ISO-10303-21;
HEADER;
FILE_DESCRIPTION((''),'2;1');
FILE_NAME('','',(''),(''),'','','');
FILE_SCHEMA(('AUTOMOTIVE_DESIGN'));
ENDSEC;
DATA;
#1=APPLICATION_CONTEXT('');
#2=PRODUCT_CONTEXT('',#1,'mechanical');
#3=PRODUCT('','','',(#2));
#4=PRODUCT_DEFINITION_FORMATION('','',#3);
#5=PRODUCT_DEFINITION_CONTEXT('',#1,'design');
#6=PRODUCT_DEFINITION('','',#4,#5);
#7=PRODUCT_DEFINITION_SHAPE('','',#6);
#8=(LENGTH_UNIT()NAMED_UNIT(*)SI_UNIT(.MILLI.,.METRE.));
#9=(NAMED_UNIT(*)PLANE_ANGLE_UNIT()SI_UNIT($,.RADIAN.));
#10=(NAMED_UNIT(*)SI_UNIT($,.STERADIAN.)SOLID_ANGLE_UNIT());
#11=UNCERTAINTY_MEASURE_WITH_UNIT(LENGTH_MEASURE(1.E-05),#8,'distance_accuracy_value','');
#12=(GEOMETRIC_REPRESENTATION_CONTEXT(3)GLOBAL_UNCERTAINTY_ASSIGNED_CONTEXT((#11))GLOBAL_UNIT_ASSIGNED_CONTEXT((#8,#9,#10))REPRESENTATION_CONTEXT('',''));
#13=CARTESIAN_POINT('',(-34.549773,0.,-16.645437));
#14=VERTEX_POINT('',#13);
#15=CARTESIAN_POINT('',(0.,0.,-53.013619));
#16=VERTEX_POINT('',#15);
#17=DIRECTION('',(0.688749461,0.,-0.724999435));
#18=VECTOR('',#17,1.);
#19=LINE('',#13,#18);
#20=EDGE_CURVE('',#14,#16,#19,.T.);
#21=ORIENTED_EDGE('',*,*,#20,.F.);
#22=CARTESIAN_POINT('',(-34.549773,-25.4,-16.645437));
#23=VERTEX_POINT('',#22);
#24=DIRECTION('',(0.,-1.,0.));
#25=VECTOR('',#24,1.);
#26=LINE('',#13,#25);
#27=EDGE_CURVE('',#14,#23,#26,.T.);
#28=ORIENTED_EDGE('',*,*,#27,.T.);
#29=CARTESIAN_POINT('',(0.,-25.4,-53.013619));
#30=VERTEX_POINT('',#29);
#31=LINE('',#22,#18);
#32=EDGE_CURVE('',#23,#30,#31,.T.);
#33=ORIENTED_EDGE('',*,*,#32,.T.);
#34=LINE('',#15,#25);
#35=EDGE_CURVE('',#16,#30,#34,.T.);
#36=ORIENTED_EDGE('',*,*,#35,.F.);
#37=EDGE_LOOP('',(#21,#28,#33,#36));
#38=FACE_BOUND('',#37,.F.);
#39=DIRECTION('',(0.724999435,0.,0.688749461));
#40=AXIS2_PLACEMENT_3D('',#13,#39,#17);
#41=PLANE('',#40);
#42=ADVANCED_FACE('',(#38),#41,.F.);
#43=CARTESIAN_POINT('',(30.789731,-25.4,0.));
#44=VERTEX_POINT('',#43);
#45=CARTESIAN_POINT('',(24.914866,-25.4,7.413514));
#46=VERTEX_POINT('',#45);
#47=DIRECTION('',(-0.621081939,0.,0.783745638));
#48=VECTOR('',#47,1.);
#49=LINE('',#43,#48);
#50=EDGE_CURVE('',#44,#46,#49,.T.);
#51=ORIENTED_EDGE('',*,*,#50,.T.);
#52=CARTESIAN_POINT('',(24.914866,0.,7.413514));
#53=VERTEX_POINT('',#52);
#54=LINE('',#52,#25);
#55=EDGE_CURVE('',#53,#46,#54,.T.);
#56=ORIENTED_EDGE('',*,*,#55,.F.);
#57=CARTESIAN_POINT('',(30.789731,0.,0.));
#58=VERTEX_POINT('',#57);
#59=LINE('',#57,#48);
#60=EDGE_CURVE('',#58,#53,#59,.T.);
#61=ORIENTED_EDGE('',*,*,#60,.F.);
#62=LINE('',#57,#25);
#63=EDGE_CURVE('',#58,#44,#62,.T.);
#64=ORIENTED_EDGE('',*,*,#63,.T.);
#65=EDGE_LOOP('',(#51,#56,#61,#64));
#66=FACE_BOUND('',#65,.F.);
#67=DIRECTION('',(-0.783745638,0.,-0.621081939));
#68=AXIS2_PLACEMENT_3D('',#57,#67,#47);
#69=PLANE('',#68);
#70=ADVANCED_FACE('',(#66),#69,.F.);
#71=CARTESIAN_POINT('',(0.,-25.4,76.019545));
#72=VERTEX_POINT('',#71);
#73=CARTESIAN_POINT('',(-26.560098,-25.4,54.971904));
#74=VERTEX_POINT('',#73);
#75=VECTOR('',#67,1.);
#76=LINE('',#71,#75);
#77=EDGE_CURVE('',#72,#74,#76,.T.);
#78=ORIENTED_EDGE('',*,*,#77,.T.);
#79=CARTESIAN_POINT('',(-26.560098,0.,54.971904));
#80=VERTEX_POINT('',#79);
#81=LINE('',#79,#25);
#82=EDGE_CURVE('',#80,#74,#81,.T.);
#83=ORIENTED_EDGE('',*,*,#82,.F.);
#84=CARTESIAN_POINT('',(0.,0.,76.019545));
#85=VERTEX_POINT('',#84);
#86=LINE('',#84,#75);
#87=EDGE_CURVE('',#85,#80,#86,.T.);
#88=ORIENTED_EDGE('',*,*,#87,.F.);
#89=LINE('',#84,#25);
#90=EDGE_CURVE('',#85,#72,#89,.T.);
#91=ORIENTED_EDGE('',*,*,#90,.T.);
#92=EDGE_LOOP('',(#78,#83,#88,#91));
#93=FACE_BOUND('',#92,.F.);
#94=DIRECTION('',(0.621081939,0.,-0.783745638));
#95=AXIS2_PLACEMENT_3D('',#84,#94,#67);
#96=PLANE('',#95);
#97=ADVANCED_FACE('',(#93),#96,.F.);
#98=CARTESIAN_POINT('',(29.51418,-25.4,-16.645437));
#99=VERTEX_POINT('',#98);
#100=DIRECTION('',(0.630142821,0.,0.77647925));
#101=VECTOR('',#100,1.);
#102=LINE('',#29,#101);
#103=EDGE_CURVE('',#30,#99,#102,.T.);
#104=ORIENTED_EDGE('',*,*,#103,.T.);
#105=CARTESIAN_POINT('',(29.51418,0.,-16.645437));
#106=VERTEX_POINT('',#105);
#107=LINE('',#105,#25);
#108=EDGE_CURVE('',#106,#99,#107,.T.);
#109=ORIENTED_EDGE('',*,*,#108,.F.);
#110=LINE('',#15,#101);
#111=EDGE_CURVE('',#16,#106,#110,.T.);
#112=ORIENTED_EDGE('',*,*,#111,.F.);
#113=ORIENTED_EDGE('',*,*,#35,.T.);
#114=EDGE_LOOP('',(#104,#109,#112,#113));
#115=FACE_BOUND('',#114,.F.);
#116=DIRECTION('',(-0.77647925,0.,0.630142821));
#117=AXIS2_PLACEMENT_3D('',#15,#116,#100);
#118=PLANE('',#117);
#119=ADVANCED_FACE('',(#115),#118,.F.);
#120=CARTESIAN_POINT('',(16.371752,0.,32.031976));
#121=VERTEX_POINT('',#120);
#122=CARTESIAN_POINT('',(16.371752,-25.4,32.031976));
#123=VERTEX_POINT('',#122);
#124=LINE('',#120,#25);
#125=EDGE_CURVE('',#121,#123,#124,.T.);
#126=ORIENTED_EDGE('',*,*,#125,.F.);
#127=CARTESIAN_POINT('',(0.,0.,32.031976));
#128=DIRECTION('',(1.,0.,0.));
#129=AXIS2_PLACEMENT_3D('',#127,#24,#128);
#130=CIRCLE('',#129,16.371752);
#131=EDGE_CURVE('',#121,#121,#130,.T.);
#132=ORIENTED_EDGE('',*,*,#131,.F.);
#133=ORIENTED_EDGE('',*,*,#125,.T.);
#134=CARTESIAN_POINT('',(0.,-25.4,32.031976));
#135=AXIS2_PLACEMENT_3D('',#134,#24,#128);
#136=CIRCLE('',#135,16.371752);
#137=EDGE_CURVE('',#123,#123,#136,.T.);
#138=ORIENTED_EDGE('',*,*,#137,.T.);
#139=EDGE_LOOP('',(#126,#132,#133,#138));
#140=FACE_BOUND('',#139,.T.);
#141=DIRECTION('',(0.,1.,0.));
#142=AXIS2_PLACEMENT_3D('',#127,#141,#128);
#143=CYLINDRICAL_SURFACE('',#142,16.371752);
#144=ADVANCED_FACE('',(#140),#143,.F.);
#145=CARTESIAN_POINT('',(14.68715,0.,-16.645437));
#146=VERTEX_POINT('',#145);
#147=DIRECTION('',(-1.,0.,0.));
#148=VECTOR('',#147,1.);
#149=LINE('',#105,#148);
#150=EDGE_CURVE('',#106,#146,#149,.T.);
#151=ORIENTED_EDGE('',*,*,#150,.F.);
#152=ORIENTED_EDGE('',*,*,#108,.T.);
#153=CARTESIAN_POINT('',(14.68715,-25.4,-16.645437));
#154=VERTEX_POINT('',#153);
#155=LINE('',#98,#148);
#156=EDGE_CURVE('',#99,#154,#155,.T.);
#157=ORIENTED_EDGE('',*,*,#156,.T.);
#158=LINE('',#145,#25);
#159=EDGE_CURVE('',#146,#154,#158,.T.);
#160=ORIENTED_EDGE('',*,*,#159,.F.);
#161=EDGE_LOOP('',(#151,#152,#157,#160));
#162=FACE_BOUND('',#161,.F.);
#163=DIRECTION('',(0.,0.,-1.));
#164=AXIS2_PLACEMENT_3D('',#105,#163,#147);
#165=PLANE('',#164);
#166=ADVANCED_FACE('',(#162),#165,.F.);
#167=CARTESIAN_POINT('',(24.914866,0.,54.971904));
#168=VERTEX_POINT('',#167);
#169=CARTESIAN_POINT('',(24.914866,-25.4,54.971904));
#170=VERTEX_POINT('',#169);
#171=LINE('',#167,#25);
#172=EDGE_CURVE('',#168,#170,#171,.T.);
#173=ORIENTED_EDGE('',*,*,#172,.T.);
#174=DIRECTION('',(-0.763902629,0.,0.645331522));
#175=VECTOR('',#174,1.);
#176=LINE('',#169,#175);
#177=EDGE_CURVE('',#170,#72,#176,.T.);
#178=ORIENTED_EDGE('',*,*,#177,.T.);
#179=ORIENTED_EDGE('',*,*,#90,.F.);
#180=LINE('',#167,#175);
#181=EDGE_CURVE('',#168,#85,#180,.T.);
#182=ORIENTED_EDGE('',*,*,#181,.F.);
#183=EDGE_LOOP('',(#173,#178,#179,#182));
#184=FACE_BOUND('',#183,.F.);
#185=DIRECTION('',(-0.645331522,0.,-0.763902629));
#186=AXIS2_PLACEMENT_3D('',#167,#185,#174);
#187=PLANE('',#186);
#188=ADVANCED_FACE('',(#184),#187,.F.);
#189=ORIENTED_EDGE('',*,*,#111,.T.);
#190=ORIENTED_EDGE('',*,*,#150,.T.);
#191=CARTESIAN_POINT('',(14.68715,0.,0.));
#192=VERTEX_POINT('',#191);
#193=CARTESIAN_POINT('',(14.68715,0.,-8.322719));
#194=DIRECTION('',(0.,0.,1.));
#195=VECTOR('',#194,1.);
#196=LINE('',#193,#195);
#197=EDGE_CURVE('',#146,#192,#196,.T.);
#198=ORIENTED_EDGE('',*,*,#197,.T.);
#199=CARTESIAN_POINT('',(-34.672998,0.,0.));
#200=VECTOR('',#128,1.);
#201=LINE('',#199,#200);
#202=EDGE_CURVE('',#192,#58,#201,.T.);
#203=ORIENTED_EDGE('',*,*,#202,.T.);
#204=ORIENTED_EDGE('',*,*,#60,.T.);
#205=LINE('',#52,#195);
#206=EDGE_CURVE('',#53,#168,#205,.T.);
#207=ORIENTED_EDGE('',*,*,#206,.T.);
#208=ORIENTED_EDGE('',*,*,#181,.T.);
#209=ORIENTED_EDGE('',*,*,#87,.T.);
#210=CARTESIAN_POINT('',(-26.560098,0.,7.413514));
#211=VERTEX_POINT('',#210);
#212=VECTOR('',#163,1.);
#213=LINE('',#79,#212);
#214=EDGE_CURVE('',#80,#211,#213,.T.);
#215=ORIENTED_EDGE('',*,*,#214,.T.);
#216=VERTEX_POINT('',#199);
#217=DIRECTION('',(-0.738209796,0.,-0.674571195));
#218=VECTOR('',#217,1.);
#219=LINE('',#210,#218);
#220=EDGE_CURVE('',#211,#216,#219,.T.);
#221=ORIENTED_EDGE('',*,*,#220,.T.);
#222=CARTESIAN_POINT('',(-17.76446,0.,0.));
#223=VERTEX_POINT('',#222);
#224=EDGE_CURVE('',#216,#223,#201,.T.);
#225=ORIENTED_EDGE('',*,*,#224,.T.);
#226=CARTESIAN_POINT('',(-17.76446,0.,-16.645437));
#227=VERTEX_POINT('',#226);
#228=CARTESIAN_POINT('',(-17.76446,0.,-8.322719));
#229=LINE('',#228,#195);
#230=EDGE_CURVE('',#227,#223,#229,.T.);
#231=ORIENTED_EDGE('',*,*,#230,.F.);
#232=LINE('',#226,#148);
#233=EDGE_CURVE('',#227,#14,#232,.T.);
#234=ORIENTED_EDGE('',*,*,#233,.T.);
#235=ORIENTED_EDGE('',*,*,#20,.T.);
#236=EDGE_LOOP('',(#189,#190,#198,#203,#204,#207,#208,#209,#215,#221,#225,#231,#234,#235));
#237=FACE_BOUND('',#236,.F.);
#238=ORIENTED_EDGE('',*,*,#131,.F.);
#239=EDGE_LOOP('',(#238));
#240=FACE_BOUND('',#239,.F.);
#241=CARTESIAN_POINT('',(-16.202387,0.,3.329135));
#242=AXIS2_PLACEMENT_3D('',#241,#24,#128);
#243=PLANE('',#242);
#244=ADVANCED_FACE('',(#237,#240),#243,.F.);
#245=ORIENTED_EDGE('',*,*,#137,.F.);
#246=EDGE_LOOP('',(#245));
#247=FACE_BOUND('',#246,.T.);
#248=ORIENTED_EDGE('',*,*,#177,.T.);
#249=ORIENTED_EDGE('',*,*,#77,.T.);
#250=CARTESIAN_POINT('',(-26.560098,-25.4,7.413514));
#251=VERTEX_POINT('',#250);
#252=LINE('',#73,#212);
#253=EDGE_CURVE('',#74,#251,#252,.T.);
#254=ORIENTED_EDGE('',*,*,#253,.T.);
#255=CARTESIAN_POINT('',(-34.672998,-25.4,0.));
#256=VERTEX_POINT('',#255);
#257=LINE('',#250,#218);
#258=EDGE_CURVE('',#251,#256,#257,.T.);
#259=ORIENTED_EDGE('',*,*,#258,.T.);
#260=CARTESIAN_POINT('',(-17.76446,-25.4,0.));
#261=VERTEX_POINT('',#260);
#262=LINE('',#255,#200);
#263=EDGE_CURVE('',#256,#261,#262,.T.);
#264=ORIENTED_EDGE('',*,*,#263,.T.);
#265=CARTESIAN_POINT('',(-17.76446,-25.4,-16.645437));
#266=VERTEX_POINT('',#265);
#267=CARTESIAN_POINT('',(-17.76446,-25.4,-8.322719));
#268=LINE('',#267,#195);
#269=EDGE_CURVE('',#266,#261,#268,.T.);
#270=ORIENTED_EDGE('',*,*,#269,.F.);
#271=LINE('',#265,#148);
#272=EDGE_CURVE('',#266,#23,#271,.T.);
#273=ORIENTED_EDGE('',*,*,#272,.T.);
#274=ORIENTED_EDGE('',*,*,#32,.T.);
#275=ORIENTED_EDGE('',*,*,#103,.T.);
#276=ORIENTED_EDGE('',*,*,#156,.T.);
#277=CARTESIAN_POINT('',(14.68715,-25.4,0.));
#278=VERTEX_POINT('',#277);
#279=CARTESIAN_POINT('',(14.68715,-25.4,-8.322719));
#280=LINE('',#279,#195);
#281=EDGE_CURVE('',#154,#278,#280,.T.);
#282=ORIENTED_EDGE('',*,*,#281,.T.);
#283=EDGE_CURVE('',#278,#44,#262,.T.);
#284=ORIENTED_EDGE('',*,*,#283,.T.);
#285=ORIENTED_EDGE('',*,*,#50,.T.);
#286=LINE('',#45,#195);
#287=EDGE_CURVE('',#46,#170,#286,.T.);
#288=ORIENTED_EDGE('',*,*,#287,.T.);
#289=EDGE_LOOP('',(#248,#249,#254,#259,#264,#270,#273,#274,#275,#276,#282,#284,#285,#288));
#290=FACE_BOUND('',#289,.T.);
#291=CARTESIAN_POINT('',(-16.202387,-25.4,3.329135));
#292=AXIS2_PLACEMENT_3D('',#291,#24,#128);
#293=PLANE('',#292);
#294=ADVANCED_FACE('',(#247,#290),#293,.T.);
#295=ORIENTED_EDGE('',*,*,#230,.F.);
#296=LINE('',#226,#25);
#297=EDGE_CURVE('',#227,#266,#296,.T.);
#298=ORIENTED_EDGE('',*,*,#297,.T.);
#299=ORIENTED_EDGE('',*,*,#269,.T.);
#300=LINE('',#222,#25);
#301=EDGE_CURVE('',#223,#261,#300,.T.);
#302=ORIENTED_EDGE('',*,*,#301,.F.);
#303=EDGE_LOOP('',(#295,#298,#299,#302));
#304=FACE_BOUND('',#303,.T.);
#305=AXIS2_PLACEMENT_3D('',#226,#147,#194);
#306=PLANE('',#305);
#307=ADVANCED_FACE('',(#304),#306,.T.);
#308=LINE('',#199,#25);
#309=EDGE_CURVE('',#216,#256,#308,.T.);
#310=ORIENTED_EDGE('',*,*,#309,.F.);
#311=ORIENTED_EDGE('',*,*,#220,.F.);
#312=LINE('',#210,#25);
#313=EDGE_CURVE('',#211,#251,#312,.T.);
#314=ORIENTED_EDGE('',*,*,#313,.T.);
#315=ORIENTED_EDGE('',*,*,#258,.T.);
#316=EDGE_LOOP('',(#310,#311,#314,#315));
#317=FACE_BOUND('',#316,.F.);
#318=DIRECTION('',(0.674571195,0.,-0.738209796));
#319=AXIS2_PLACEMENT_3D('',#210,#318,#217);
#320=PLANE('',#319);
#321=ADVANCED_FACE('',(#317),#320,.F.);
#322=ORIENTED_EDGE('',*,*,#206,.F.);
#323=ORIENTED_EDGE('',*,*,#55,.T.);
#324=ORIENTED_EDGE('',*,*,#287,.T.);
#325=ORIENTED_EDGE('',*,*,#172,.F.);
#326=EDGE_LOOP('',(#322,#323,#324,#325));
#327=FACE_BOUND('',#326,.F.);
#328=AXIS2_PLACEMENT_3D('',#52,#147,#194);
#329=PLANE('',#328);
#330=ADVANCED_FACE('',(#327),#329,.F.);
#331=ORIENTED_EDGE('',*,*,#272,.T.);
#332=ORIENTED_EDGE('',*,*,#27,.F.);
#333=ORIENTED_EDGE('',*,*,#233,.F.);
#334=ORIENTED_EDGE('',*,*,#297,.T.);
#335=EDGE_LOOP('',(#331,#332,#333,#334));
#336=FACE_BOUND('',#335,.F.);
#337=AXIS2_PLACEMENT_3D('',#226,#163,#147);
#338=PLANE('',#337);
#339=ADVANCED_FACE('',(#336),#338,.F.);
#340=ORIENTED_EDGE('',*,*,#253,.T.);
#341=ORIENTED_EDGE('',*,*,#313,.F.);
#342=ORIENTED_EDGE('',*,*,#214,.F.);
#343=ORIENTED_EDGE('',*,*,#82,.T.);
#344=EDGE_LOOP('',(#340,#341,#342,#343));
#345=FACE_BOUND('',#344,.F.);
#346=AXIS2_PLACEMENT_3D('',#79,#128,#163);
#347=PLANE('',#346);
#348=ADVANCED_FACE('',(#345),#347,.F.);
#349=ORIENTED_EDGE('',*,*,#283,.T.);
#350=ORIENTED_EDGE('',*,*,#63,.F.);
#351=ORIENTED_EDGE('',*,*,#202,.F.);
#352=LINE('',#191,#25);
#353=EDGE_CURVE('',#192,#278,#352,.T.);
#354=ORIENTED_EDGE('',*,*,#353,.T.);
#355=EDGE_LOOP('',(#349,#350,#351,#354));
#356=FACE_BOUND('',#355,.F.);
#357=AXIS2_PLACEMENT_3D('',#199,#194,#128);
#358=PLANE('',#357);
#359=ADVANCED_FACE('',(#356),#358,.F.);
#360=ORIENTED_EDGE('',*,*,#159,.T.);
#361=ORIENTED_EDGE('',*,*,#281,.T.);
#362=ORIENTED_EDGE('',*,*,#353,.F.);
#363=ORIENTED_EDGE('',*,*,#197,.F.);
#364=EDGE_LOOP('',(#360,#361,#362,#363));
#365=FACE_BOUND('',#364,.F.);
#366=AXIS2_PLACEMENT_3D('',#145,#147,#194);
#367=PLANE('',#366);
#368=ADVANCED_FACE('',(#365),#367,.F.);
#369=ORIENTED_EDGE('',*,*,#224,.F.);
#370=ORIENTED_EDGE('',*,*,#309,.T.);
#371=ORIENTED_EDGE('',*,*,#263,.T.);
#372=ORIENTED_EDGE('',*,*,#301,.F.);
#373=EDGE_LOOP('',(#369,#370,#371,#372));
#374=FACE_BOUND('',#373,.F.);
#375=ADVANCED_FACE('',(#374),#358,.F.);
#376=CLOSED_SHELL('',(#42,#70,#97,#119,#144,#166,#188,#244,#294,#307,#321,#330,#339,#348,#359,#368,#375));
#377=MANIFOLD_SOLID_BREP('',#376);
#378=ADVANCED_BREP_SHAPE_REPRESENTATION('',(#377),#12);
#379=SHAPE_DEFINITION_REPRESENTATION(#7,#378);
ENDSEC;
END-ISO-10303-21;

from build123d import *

# Parameters (mm, degrees)
F0_R     = 16.3717521016
F1_DEPTH = 25.4
F2_W     = 17.7644602954
F2_H     = 16.6454371065
F2_W_2   = 14.6871497855
F3_DEPTH = 25.4


with BuildPart() as f1:
    # F0 (on Front) → F1 (new body)
    with BuildSketch(Plane.XZ):
        Polygon((-34.6729978919, 0), (0, 0), (0, 7.4135139585), (-26.5600979328, 7.4135139585), align=None)
        Polygon((0, 7.4135139585), (0, 0), (30.7897310704, 0), (24.9148663133, 7.4135139585), align=None)
        Polygon((-26.5600979328, 7.4135139585), (0, 7.4135139585), (24.9148663133, 7.4135139585), (24.9148663133, 54.9719035625), (-26.5600979328, 54.9719035625), align=None)
        with Locations((0, 32.0319756866)):
            Circle(F0_R, mode=Mode.SUBTRACT)
        Polygon((0, 76.0195449596), (-26.5600979328, 54.9719035625), (24.9148663133, 54.9719035625), align=None)
    extrude(amount=F1_DEPTH)

    # F2 (on Front) → F3 (join)
    with BuildSketch(Plane.XZ):
        with Locations((-8.8822301477, -8.3227185532)):
            Rectangle(F2_W, F2_H)
        with Locations((7.3435748927, -8.3227185532)):
            Rectangle(F2_W_2, F2_H)
        Polygon((-17.7644602954, -16.6454371065), (-34.5497727394, -16.6454371065), (0, -53.0136190355), (29.5141804963, -16.6454371065), (14.6871497855, -16.6454371065), (0, -16.6454371065), align=None)
    extrude(amount=F3_DEPTH)


solid = f1.part
